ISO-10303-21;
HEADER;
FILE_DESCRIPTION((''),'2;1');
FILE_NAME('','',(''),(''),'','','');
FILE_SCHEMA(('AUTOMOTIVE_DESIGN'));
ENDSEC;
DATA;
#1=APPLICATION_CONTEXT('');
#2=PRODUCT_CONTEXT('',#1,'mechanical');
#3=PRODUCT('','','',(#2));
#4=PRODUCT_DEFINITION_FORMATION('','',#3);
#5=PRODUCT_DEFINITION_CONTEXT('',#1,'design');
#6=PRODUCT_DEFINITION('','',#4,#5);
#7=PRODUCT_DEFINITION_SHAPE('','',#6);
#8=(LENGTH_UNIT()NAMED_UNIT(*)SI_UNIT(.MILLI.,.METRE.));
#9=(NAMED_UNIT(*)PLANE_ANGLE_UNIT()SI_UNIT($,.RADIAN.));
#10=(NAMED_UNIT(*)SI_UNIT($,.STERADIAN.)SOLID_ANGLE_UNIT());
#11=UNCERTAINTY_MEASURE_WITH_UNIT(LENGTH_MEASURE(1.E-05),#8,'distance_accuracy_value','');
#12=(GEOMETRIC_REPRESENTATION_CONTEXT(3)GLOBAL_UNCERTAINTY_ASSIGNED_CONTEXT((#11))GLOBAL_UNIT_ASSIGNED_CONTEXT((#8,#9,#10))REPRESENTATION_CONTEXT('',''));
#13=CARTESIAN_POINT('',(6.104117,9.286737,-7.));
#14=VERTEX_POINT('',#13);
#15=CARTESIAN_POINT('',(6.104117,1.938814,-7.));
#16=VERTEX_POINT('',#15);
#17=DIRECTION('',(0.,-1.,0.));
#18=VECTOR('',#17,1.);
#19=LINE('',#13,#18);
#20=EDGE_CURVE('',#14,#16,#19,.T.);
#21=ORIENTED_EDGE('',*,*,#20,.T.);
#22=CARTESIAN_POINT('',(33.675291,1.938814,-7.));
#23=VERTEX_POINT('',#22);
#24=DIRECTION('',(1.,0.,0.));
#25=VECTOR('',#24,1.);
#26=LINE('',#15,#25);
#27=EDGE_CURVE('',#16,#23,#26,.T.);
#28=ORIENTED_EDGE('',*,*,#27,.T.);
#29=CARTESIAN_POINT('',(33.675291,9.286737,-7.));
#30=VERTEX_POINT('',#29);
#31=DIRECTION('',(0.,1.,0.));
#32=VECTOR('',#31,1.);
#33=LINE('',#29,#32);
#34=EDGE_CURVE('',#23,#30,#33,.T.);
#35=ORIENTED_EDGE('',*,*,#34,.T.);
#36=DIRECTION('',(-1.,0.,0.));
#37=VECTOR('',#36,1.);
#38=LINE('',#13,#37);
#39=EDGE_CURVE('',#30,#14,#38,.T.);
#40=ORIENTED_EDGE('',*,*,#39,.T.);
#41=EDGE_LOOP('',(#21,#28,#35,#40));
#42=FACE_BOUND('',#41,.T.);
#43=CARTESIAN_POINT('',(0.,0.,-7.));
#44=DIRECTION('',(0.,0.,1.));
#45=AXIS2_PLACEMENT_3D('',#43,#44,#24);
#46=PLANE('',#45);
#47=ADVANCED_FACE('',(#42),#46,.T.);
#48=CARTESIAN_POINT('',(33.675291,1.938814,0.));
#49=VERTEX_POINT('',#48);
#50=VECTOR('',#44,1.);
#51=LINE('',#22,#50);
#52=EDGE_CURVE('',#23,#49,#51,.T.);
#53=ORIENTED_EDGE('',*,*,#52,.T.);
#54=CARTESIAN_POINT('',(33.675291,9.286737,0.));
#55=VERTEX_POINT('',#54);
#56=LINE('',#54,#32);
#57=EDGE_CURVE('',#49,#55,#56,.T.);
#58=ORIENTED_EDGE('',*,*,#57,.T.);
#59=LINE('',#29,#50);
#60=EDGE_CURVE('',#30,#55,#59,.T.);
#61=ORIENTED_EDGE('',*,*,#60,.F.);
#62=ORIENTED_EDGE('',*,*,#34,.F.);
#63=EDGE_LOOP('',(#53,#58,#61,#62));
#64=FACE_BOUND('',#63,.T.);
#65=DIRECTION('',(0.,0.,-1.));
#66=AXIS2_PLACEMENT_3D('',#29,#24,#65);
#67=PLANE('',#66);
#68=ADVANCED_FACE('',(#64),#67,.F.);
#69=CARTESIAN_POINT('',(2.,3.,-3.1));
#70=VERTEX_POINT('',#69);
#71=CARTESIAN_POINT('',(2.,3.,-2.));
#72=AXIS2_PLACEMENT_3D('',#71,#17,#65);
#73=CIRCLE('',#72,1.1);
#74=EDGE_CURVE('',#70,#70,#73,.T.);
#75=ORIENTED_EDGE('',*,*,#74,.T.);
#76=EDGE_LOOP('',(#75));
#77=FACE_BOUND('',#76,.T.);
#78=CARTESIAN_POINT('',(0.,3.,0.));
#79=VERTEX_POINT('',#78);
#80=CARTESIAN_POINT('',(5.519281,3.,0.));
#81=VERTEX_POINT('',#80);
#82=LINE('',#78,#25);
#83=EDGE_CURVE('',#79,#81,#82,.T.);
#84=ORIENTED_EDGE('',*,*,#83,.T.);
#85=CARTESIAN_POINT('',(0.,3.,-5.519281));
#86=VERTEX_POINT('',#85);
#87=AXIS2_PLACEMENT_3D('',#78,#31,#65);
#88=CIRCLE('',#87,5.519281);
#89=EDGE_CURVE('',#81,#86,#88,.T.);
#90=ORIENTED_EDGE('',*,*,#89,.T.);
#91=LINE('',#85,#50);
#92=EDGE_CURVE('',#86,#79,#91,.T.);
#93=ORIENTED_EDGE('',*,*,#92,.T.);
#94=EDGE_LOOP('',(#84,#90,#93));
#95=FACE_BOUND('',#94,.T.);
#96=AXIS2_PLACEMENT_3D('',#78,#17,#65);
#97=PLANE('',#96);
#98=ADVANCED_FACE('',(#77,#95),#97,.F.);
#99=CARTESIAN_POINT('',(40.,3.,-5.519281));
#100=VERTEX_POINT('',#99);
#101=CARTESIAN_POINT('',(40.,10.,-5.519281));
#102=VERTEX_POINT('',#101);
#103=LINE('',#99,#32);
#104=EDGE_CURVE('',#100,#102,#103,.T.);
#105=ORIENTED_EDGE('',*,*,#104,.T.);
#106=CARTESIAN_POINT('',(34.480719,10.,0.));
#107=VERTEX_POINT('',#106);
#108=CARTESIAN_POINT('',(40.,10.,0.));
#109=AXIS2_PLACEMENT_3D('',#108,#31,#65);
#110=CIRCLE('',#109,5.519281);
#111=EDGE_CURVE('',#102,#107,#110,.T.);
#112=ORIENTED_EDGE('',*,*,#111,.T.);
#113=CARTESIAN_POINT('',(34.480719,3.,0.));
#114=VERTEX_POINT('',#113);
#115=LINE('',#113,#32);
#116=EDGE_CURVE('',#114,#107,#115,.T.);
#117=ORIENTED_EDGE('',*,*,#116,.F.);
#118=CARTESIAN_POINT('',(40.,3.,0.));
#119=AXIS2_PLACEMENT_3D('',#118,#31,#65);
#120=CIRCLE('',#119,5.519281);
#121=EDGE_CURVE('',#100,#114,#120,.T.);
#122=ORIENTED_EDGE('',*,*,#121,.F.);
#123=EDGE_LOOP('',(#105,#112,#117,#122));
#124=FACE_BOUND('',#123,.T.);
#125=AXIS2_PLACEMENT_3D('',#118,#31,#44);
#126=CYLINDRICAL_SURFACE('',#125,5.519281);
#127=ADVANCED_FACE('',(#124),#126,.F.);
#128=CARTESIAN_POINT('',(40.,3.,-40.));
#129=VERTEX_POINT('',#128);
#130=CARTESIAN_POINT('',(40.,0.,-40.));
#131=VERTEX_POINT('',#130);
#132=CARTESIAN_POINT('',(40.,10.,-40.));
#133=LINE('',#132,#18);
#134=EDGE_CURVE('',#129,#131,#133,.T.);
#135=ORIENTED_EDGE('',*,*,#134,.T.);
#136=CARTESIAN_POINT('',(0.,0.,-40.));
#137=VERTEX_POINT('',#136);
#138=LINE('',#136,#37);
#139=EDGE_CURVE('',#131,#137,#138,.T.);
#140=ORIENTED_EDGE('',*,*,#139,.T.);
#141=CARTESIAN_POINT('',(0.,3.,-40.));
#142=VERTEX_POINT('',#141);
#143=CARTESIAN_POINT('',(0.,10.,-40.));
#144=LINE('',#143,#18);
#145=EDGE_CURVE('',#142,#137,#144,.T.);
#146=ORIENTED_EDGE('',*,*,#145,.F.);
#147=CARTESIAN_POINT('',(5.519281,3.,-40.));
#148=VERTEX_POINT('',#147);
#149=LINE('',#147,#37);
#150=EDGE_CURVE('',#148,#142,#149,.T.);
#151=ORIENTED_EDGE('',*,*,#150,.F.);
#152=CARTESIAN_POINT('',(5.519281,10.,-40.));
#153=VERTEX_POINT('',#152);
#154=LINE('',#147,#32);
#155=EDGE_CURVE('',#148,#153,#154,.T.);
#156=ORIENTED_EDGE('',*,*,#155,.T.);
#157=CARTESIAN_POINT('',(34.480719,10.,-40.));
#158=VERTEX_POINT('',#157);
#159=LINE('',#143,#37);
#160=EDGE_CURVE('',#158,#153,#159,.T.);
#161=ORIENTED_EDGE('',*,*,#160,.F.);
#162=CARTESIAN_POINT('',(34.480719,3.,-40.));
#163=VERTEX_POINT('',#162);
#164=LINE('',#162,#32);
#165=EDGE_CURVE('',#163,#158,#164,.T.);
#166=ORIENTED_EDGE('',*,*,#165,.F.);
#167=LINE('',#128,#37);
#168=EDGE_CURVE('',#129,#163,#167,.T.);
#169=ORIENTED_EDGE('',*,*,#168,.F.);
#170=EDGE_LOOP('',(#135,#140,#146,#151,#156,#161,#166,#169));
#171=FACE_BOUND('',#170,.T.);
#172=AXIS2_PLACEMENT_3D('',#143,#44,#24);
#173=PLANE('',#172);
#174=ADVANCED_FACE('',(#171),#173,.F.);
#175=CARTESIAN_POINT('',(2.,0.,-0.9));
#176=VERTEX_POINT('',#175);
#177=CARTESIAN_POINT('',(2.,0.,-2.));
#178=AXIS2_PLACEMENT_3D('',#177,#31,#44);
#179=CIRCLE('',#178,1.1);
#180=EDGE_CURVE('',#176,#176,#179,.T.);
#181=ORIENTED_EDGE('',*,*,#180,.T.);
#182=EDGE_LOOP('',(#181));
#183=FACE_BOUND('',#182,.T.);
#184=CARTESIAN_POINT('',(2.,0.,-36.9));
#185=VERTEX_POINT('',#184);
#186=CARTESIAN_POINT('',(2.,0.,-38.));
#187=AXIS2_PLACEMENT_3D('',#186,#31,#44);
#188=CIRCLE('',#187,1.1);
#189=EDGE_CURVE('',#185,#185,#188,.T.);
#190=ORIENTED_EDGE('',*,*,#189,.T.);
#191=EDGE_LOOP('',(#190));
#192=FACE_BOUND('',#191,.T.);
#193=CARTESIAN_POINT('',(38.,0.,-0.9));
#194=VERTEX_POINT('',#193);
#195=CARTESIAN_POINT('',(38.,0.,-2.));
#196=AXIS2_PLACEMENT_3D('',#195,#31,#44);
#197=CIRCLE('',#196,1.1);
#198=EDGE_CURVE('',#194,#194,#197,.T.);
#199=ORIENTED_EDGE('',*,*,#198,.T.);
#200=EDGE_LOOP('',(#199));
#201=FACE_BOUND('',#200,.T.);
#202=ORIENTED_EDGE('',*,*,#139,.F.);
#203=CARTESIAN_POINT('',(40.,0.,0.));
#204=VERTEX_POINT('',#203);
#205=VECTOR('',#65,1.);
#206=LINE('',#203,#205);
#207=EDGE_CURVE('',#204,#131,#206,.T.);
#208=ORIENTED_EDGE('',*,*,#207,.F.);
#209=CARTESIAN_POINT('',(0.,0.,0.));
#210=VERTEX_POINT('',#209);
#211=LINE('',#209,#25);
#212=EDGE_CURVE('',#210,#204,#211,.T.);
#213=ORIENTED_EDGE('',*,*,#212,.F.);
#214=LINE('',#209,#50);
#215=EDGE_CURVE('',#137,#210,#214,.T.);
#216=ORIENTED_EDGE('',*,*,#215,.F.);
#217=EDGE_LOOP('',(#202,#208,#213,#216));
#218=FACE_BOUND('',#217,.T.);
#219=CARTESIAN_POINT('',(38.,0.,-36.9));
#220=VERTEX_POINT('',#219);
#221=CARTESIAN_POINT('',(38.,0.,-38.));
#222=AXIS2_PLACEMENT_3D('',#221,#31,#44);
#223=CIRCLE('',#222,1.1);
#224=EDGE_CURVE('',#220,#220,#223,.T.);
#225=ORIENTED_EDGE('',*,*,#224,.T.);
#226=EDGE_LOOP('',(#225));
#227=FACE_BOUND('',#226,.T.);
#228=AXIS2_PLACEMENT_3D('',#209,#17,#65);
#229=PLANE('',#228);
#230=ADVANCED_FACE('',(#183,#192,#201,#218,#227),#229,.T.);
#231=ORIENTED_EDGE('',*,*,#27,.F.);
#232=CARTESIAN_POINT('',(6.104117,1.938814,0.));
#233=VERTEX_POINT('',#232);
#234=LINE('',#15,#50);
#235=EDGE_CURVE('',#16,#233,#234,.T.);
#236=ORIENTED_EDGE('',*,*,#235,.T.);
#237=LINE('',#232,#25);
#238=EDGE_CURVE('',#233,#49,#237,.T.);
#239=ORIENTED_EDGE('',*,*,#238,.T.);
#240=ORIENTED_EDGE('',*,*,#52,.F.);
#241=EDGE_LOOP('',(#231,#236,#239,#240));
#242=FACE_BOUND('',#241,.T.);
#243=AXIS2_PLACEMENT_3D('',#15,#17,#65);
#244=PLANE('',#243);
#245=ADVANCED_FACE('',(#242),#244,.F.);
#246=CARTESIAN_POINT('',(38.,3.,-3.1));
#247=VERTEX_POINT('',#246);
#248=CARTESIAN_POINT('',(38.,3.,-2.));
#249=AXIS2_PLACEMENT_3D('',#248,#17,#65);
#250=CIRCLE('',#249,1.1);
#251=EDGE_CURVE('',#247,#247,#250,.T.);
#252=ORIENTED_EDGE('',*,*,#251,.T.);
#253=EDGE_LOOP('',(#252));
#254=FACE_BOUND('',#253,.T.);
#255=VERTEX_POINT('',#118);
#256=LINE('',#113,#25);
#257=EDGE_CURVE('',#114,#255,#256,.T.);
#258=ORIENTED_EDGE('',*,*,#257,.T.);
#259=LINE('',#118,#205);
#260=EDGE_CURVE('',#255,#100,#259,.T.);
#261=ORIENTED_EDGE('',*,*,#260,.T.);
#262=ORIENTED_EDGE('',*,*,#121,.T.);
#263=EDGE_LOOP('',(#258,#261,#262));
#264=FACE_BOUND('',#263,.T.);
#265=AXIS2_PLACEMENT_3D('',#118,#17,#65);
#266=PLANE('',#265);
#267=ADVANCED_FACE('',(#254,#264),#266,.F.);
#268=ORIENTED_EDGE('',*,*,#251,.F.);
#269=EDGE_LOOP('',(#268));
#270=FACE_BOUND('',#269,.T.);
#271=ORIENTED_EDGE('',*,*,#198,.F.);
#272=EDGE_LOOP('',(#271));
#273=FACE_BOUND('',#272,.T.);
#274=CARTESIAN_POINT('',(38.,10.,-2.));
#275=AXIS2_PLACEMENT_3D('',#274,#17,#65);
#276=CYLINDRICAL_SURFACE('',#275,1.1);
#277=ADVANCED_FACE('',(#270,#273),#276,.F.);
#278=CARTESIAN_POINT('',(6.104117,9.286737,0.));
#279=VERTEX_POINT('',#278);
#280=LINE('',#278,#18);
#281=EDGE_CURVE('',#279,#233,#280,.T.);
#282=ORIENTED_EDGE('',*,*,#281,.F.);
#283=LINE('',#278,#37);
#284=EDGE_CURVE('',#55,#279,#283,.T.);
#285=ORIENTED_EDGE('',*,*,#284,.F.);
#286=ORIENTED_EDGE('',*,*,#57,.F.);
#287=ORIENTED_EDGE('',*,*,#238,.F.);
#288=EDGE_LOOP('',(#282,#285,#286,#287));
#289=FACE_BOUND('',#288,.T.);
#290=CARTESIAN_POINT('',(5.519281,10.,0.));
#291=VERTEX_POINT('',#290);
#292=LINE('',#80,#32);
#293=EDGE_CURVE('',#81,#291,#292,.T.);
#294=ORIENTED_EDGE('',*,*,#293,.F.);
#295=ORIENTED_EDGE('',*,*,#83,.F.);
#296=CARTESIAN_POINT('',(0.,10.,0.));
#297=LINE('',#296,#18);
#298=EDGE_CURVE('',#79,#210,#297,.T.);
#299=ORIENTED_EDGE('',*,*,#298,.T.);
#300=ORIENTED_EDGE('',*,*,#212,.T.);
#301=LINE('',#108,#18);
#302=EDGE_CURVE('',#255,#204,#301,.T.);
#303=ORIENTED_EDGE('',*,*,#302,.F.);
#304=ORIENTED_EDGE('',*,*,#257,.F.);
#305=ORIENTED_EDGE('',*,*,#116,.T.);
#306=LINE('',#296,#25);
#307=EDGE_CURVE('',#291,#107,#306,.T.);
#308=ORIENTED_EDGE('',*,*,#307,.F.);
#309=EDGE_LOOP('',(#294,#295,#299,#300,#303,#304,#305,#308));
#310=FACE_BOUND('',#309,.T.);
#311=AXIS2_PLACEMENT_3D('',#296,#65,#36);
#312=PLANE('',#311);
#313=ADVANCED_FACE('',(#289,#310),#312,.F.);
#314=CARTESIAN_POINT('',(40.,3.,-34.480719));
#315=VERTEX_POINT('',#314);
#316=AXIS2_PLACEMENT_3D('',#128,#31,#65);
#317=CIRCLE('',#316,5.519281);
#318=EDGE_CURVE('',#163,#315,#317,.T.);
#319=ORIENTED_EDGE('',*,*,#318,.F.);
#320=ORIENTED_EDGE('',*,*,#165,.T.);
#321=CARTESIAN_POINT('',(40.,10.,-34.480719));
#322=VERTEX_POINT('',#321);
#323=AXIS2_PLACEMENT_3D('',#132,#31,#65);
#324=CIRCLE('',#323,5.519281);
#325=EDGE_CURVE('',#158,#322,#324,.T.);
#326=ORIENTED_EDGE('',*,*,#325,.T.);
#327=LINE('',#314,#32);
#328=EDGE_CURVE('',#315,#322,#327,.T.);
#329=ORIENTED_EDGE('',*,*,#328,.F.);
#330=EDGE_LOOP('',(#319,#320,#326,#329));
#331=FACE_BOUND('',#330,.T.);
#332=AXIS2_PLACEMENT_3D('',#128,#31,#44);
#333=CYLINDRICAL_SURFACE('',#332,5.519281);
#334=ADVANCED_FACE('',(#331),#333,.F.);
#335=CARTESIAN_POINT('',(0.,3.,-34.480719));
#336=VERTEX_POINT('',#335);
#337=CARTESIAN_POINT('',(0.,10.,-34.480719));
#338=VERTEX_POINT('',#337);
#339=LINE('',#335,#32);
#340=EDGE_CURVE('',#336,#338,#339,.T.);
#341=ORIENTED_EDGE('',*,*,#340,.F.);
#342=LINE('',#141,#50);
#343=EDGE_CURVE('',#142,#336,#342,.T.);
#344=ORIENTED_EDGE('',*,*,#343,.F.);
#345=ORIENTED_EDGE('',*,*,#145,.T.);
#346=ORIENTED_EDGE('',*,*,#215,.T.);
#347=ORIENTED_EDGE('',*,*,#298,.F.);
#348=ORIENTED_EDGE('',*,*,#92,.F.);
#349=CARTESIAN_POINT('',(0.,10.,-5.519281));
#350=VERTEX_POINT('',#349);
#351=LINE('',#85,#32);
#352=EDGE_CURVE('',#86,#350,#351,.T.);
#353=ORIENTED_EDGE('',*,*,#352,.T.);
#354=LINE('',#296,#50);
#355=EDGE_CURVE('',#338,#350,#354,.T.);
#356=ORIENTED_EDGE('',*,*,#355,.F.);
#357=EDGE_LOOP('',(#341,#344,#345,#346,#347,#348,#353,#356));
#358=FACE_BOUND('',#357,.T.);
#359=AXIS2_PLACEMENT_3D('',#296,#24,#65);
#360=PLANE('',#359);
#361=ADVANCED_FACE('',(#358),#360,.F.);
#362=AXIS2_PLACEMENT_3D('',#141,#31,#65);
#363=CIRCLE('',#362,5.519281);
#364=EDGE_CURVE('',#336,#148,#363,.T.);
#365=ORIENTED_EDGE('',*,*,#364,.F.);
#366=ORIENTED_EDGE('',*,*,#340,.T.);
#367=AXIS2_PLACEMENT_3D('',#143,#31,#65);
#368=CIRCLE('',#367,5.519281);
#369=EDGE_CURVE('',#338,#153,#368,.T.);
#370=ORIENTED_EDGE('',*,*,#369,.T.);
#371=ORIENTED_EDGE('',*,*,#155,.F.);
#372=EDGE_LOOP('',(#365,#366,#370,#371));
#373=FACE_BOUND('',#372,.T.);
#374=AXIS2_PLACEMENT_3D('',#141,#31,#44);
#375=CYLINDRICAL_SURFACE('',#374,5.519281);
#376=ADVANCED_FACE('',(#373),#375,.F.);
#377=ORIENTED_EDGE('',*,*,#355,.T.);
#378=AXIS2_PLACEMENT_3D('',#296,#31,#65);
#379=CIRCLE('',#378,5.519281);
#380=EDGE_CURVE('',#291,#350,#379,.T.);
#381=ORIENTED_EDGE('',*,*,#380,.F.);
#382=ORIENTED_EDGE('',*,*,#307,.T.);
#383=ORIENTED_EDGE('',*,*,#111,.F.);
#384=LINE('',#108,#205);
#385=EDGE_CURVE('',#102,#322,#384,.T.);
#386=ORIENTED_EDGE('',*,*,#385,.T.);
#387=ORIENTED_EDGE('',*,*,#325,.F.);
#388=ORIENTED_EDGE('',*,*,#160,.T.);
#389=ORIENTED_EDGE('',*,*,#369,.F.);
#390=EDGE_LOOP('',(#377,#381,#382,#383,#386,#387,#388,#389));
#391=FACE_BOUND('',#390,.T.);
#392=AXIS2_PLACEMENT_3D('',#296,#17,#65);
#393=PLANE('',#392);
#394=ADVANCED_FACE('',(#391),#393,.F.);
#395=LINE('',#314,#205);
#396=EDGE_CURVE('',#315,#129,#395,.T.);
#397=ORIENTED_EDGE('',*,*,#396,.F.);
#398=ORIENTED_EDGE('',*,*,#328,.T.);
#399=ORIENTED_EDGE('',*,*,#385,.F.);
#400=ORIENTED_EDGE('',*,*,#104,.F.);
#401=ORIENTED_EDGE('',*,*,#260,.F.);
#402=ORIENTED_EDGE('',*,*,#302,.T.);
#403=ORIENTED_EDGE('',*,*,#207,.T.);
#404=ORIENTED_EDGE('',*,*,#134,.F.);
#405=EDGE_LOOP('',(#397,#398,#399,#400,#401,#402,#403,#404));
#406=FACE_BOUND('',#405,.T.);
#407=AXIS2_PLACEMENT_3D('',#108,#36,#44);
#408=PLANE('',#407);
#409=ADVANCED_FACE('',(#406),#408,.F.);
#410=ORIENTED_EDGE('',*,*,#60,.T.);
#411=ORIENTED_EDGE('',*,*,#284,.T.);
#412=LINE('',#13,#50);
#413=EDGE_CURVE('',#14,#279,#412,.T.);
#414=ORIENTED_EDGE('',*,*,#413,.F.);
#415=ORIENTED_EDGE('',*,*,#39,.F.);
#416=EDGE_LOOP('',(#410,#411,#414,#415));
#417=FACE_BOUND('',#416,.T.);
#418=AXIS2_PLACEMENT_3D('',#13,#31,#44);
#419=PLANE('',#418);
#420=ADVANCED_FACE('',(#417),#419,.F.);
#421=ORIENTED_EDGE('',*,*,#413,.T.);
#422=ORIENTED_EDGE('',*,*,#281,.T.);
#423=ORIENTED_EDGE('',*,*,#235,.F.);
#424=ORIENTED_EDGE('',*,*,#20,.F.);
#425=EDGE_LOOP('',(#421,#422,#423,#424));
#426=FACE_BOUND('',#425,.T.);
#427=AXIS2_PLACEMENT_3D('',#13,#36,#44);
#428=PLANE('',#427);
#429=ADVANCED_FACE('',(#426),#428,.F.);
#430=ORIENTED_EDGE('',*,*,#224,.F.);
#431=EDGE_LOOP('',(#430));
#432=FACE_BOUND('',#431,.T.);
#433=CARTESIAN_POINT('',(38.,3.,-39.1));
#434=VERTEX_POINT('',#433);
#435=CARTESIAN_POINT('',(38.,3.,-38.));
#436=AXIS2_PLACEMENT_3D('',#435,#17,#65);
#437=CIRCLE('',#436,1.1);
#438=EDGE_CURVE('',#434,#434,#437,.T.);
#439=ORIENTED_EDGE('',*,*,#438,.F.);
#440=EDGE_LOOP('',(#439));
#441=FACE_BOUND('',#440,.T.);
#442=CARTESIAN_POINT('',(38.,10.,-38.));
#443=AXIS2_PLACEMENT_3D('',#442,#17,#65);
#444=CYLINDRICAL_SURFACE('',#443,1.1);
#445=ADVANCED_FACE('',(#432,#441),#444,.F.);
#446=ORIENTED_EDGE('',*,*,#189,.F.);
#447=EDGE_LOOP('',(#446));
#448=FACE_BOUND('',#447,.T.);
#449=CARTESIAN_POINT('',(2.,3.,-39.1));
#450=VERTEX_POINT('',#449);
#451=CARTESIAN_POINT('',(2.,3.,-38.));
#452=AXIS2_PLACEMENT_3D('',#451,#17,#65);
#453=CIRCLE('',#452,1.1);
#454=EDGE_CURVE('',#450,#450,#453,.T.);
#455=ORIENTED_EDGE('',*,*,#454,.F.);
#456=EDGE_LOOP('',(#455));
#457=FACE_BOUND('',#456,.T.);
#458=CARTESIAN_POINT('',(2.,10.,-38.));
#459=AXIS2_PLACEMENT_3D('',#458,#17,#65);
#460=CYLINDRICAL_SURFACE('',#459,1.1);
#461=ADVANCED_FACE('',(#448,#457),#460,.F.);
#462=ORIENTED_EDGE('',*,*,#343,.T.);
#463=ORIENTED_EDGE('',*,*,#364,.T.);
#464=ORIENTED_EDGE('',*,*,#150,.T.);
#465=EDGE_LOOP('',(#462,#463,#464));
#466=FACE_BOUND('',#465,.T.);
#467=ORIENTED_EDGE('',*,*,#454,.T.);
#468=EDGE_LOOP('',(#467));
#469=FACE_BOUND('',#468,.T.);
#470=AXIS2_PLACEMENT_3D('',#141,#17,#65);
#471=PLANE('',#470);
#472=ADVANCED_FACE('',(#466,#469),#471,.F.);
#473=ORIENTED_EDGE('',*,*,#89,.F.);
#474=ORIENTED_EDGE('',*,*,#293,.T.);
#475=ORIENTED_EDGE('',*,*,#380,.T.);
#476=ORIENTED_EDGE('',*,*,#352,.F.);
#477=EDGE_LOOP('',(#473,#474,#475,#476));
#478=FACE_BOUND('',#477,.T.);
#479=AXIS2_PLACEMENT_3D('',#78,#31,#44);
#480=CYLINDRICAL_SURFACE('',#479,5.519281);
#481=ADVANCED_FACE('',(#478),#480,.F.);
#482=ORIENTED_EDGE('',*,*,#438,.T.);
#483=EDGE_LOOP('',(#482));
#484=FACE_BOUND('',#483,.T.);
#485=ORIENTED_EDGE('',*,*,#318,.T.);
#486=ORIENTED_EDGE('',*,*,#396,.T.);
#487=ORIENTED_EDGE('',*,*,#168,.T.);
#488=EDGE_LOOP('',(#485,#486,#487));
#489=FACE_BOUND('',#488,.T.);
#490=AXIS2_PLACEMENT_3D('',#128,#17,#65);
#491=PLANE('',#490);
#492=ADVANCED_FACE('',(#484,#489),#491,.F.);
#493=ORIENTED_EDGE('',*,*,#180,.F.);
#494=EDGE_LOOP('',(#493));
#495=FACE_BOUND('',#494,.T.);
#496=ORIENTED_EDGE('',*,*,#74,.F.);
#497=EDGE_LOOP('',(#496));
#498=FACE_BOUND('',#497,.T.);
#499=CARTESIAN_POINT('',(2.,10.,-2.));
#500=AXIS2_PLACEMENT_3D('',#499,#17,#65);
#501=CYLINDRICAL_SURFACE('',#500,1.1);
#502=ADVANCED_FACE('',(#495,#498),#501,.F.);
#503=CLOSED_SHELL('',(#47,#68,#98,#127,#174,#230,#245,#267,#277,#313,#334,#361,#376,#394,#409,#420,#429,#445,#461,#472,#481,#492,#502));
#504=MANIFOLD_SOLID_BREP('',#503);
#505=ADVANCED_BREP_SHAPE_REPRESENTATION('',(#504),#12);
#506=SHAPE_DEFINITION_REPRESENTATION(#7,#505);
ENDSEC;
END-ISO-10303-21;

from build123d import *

# Parameters (mm, degrees)
SKETCH1_W           = 40
SKETCH1_H           = 40
SKETCH1_R           = 1.1
BOSS_EXTRUDE1_DEPTH = 10
CUT_EXTRUDE1_DEPTH  = 7
SKETCH3_W           = 27.571173344
SKETCH3_H           = 7.347922722
CUT_EXTRUDE2_DEPTH  = 7


with BuildPart() as part:
    # Sketch1 → Boss-Extrude1 (new body)
    with BuildSketch(Plane(origin=(0, 0, 0), x_dir=(1, 0, 0), z_dir=(0, 1, 0))):
        with Locations((20, 20)):
            Rectangle(SKETCH1_W, SKETCH1_H)
        with Locations((2, 38)):
            Circle(SKETCH1_R, mode=Mode.SUBTRACT)
        with Locations((38, 38)):
            Circle(SKETCH1_R, mode=Mode.SUBTRACT)
        with Locations((2, 2)):
            Circle(SKETCH1_R, mode=Mode.SUBTRACT)
        with Locations((38, 2)):
            Circle(SKETCH1_R, mode=Mode.SUBTRACT)
    extrude(amount=BOSS_EXTRUDE1_DEPTH)

    # Sketch2 → Cut-Extrude1 (cut)
    with BuildSketch(Plane(origin=(0, 10, 0), x_dir=(1, 0, 0), z_dir=(0, 1, 0))):
        with BuildLine():
            Line((0, 0), (5.519280972, 0))
            ThreePointArc((5.519280972, 0), (3.902721002, 3.902721002), (0, 5.519280972))
            Line((0, 5.519280972), (0, 0))
        make_face()
        with BuildLine():
            Line((40, 0), (40, 5.519280972))
            ThreePointArc((40, 5.519280972), (36.097278998, 3.902721002), (34.480719028, 0))
            Line((34.480719028, 0), (40, 0))
        make_face()
        with BuildLine():
            Line((40, 40), (34.480719028, 40))
            ThreePointArc((34.480719028, 40), (36.097278998, 36.097278998), (40, 34.480719028))
            Line((40, 34.480719028), (40, 40))
        make_face()
        with BuildLine():
            Line((0, 40), (0, 34.480719028))
            ThreePointArc((0, 34.480719028), (3.902721002, 36.097278998), (5.519280972, 40))
            Line((5.519280972, 40), (0, 40))
        make_face()
    extrude(amount=-CUT_EXTRUDE1_DEPTH, mode=Mode.SUBTRACT)

    # Sketch3 → Cut-Extrude2 (cut)
    with BuildSketch(Plane.XY):
        with Locations((19.889703926, 5.612775806)):
            Rectangle(SKETCH3_W, SKETCH3_H)
    extrude(amount=-CUT_EXTRUDE2_DEPTH, mode=Mode.SUBTRACT)


solid = part.part
